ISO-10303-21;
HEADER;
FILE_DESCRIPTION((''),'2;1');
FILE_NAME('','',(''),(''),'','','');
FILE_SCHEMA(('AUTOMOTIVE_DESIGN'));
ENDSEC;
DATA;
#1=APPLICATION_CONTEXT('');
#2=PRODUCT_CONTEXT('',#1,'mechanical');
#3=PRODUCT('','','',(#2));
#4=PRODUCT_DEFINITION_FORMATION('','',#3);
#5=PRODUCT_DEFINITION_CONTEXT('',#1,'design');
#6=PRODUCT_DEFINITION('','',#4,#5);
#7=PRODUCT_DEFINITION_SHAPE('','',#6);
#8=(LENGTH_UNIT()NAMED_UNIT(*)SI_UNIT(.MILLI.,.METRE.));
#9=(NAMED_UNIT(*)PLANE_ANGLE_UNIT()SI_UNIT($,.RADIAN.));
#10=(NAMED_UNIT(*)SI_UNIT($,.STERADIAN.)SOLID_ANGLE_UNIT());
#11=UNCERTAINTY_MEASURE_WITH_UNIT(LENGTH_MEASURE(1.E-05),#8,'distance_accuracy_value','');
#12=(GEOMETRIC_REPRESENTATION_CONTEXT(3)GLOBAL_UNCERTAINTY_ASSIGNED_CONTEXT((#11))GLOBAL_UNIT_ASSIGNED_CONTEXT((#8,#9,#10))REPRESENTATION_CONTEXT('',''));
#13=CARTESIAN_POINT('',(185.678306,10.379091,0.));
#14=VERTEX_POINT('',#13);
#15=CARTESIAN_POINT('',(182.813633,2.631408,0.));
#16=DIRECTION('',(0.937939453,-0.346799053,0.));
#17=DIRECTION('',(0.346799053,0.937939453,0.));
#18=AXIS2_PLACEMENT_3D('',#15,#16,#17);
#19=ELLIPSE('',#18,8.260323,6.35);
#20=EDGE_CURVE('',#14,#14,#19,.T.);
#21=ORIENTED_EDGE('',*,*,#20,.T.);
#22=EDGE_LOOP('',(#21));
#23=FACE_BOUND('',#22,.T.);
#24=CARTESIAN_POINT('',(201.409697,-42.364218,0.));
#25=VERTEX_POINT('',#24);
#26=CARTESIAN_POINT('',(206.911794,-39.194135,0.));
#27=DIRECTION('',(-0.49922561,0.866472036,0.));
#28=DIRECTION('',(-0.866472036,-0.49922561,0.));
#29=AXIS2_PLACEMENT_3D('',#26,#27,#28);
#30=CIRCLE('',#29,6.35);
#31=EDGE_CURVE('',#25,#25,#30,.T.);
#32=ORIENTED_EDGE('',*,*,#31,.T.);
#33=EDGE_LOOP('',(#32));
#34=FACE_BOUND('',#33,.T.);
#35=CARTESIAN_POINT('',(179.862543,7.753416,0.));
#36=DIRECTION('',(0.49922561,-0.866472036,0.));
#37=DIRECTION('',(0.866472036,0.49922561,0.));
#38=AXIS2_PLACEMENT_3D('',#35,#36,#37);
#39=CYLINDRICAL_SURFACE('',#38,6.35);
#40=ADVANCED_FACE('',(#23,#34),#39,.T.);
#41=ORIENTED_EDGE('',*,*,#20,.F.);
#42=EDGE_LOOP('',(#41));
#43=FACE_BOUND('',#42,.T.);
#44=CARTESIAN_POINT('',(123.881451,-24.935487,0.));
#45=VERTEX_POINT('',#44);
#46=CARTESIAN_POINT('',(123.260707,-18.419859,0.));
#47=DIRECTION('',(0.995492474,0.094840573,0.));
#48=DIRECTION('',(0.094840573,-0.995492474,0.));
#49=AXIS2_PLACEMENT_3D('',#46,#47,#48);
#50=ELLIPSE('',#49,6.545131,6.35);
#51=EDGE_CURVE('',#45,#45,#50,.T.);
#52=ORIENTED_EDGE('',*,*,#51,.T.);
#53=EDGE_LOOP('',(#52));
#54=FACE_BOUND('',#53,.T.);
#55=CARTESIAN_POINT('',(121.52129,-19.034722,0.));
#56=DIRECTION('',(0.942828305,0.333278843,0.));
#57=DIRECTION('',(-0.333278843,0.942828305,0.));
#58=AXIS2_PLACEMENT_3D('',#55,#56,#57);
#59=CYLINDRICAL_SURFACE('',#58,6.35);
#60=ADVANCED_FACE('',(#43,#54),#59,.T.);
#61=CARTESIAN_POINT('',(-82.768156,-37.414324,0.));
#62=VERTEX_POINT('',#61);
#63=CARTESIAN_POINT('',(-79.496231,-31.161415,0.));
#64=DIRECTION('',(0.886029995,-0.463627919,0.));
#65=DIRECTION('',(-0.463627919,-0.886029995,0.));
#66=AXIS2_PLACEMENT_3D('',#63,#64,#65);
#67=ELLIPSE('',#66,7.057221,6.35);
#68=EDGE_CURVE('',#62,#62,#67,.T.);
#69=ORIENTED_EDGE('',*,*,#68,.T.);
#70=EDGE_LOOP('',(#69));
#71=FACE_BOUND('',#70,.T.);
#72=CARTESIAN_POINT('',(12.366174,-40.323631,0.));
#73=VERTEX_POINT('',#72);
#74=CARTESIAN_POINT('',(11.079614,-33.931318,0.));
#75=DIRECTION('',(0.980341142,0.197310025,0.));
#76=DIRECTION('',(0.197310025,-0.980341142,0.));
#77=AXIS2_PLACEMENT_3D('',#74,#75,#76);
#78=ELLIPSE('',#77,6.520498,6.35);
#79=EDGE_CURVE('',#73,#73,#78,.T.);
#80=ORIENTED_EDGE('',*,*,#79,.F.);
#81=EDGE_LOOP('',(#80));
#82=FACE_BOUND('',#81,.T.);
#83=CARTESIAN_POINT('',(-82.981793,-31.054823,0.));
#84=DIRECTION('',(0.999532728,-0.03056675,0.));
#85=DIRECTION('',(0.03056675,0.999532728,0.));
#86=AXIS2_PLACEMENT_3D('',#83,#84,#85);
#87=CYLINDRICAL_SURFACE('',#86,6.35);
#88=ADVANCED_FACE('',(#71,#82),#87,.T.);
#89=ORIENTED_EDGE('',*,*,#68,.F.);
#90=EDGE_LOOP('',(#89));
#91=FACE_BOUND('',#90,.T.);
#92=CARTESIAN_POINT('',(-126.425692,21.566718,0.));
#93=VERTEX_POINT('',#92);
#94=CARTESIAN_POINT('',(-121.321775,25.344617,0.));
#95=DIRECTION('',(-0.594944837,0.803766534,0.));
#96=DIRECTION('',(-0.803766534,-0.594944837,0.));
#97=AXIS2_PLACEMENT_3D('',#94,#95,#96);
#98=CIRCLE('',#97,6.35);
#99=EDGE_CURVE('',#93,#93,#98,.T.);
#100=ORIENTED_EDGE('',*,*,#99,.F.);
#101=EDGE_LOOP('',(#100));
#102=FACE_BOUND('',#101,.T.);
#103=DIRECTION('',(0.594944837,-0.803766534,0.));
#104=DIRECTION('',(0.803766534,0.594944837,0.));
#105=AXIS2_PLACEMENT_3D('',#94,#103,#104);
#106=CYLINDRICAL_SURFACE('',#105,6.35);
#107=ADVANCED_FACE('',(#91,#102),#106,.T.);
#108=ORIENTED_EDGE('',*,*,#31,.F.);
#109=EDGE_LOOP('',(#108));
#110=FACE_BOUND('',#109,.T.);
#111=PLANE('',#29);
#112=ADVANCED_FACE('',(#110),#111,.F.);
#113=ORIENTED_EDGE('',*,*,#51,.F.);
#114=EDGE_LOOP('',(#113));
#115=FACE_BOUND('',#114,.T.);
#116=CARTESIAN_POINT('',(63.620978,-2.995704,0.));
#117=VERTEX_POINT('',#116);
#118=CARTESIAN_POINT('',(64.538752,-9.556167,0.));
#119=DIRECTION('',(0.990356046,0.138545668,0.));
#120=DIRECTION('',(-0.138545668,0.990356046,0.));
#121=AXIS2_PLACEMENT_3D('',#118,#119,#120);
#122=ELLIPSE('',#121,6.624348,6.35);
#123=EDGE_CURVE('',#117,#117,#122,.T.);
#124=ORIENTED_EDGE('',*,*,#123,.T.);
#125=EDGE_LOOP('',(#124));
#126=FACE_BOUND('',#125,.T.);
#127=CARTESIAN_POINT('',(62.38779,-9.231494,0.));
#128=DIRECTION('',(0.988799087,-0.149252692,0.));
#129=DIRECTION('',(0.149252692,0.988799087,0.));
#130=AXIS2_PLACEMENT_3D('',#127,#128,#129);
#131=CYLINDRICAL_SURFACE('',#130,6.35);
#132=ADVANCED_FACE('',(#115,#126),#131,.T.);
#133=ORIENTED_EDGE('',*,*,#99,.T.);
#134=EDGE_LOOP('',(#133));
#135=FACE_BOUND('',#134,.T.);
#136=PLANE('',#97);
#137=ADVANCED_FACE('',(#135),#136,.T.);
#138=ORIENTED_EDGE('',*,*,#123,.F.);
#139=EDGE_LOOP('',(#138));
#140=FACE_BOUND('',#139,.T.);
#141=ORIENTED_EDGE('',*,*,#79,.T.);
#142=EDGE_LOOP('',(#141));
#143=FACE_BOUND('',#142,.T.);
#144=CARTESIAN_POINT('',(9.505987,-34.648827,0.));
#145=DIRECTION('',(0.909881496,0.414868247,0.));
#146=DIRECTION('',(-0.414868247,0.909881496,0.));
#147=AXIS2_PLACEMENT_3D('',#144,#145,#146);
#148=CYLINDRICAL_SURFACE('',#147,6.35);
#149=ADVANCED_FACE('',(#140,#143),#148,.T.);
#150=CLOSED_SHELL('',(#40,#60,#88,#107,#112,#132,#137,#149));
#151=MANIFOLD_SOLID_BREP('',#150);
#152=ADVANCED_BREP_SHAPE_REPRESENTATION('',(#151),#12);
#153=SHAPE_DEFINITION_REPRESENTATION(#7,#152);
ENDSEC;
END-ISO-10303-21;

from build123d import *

# Parameters (mm, degrees)
SWEEP1_PROFILE_R = 6.35


with BuildPart() as part:
    # Sweep1: sweep along a path in Sketch2
    with BuildLine(Plane.XY) as sweep1_path:
        Line((-121.321774851, 25.344617349), (-79.496231466, -31.161414773))
        Line((-79.496231466, -31.161414773), (11.079614142, -33.931318309))
        Line((11.079614142, -33.931318309), (64.538752375, -9.556167197))
        Line((64.538752375, -9.556167197), (123.260707326, -18.419858511))
        Line((123.260707326, -18.419858511), (182.813633337, 2.631408359))
        Line((182.813633337, 2.631408359), (206.911794096, -39.194135026))
    # Sweep1 profile (on start of the path) → Sweep1 (sweep)
    with BuildSketch(Plane(origin=(-121.321774851, 25.344617349, 0), x_dir=(-0.8037665341662223, -0.5949448365642138, 0), z_dir=(0.5949448365642138, -0.8037665341662223, 0))):
        Circle(SWEEP1_PROFILE_R)
    sweep(path=sweep1_path.line, transition=Transition.RIGHT)


solid = part.part
